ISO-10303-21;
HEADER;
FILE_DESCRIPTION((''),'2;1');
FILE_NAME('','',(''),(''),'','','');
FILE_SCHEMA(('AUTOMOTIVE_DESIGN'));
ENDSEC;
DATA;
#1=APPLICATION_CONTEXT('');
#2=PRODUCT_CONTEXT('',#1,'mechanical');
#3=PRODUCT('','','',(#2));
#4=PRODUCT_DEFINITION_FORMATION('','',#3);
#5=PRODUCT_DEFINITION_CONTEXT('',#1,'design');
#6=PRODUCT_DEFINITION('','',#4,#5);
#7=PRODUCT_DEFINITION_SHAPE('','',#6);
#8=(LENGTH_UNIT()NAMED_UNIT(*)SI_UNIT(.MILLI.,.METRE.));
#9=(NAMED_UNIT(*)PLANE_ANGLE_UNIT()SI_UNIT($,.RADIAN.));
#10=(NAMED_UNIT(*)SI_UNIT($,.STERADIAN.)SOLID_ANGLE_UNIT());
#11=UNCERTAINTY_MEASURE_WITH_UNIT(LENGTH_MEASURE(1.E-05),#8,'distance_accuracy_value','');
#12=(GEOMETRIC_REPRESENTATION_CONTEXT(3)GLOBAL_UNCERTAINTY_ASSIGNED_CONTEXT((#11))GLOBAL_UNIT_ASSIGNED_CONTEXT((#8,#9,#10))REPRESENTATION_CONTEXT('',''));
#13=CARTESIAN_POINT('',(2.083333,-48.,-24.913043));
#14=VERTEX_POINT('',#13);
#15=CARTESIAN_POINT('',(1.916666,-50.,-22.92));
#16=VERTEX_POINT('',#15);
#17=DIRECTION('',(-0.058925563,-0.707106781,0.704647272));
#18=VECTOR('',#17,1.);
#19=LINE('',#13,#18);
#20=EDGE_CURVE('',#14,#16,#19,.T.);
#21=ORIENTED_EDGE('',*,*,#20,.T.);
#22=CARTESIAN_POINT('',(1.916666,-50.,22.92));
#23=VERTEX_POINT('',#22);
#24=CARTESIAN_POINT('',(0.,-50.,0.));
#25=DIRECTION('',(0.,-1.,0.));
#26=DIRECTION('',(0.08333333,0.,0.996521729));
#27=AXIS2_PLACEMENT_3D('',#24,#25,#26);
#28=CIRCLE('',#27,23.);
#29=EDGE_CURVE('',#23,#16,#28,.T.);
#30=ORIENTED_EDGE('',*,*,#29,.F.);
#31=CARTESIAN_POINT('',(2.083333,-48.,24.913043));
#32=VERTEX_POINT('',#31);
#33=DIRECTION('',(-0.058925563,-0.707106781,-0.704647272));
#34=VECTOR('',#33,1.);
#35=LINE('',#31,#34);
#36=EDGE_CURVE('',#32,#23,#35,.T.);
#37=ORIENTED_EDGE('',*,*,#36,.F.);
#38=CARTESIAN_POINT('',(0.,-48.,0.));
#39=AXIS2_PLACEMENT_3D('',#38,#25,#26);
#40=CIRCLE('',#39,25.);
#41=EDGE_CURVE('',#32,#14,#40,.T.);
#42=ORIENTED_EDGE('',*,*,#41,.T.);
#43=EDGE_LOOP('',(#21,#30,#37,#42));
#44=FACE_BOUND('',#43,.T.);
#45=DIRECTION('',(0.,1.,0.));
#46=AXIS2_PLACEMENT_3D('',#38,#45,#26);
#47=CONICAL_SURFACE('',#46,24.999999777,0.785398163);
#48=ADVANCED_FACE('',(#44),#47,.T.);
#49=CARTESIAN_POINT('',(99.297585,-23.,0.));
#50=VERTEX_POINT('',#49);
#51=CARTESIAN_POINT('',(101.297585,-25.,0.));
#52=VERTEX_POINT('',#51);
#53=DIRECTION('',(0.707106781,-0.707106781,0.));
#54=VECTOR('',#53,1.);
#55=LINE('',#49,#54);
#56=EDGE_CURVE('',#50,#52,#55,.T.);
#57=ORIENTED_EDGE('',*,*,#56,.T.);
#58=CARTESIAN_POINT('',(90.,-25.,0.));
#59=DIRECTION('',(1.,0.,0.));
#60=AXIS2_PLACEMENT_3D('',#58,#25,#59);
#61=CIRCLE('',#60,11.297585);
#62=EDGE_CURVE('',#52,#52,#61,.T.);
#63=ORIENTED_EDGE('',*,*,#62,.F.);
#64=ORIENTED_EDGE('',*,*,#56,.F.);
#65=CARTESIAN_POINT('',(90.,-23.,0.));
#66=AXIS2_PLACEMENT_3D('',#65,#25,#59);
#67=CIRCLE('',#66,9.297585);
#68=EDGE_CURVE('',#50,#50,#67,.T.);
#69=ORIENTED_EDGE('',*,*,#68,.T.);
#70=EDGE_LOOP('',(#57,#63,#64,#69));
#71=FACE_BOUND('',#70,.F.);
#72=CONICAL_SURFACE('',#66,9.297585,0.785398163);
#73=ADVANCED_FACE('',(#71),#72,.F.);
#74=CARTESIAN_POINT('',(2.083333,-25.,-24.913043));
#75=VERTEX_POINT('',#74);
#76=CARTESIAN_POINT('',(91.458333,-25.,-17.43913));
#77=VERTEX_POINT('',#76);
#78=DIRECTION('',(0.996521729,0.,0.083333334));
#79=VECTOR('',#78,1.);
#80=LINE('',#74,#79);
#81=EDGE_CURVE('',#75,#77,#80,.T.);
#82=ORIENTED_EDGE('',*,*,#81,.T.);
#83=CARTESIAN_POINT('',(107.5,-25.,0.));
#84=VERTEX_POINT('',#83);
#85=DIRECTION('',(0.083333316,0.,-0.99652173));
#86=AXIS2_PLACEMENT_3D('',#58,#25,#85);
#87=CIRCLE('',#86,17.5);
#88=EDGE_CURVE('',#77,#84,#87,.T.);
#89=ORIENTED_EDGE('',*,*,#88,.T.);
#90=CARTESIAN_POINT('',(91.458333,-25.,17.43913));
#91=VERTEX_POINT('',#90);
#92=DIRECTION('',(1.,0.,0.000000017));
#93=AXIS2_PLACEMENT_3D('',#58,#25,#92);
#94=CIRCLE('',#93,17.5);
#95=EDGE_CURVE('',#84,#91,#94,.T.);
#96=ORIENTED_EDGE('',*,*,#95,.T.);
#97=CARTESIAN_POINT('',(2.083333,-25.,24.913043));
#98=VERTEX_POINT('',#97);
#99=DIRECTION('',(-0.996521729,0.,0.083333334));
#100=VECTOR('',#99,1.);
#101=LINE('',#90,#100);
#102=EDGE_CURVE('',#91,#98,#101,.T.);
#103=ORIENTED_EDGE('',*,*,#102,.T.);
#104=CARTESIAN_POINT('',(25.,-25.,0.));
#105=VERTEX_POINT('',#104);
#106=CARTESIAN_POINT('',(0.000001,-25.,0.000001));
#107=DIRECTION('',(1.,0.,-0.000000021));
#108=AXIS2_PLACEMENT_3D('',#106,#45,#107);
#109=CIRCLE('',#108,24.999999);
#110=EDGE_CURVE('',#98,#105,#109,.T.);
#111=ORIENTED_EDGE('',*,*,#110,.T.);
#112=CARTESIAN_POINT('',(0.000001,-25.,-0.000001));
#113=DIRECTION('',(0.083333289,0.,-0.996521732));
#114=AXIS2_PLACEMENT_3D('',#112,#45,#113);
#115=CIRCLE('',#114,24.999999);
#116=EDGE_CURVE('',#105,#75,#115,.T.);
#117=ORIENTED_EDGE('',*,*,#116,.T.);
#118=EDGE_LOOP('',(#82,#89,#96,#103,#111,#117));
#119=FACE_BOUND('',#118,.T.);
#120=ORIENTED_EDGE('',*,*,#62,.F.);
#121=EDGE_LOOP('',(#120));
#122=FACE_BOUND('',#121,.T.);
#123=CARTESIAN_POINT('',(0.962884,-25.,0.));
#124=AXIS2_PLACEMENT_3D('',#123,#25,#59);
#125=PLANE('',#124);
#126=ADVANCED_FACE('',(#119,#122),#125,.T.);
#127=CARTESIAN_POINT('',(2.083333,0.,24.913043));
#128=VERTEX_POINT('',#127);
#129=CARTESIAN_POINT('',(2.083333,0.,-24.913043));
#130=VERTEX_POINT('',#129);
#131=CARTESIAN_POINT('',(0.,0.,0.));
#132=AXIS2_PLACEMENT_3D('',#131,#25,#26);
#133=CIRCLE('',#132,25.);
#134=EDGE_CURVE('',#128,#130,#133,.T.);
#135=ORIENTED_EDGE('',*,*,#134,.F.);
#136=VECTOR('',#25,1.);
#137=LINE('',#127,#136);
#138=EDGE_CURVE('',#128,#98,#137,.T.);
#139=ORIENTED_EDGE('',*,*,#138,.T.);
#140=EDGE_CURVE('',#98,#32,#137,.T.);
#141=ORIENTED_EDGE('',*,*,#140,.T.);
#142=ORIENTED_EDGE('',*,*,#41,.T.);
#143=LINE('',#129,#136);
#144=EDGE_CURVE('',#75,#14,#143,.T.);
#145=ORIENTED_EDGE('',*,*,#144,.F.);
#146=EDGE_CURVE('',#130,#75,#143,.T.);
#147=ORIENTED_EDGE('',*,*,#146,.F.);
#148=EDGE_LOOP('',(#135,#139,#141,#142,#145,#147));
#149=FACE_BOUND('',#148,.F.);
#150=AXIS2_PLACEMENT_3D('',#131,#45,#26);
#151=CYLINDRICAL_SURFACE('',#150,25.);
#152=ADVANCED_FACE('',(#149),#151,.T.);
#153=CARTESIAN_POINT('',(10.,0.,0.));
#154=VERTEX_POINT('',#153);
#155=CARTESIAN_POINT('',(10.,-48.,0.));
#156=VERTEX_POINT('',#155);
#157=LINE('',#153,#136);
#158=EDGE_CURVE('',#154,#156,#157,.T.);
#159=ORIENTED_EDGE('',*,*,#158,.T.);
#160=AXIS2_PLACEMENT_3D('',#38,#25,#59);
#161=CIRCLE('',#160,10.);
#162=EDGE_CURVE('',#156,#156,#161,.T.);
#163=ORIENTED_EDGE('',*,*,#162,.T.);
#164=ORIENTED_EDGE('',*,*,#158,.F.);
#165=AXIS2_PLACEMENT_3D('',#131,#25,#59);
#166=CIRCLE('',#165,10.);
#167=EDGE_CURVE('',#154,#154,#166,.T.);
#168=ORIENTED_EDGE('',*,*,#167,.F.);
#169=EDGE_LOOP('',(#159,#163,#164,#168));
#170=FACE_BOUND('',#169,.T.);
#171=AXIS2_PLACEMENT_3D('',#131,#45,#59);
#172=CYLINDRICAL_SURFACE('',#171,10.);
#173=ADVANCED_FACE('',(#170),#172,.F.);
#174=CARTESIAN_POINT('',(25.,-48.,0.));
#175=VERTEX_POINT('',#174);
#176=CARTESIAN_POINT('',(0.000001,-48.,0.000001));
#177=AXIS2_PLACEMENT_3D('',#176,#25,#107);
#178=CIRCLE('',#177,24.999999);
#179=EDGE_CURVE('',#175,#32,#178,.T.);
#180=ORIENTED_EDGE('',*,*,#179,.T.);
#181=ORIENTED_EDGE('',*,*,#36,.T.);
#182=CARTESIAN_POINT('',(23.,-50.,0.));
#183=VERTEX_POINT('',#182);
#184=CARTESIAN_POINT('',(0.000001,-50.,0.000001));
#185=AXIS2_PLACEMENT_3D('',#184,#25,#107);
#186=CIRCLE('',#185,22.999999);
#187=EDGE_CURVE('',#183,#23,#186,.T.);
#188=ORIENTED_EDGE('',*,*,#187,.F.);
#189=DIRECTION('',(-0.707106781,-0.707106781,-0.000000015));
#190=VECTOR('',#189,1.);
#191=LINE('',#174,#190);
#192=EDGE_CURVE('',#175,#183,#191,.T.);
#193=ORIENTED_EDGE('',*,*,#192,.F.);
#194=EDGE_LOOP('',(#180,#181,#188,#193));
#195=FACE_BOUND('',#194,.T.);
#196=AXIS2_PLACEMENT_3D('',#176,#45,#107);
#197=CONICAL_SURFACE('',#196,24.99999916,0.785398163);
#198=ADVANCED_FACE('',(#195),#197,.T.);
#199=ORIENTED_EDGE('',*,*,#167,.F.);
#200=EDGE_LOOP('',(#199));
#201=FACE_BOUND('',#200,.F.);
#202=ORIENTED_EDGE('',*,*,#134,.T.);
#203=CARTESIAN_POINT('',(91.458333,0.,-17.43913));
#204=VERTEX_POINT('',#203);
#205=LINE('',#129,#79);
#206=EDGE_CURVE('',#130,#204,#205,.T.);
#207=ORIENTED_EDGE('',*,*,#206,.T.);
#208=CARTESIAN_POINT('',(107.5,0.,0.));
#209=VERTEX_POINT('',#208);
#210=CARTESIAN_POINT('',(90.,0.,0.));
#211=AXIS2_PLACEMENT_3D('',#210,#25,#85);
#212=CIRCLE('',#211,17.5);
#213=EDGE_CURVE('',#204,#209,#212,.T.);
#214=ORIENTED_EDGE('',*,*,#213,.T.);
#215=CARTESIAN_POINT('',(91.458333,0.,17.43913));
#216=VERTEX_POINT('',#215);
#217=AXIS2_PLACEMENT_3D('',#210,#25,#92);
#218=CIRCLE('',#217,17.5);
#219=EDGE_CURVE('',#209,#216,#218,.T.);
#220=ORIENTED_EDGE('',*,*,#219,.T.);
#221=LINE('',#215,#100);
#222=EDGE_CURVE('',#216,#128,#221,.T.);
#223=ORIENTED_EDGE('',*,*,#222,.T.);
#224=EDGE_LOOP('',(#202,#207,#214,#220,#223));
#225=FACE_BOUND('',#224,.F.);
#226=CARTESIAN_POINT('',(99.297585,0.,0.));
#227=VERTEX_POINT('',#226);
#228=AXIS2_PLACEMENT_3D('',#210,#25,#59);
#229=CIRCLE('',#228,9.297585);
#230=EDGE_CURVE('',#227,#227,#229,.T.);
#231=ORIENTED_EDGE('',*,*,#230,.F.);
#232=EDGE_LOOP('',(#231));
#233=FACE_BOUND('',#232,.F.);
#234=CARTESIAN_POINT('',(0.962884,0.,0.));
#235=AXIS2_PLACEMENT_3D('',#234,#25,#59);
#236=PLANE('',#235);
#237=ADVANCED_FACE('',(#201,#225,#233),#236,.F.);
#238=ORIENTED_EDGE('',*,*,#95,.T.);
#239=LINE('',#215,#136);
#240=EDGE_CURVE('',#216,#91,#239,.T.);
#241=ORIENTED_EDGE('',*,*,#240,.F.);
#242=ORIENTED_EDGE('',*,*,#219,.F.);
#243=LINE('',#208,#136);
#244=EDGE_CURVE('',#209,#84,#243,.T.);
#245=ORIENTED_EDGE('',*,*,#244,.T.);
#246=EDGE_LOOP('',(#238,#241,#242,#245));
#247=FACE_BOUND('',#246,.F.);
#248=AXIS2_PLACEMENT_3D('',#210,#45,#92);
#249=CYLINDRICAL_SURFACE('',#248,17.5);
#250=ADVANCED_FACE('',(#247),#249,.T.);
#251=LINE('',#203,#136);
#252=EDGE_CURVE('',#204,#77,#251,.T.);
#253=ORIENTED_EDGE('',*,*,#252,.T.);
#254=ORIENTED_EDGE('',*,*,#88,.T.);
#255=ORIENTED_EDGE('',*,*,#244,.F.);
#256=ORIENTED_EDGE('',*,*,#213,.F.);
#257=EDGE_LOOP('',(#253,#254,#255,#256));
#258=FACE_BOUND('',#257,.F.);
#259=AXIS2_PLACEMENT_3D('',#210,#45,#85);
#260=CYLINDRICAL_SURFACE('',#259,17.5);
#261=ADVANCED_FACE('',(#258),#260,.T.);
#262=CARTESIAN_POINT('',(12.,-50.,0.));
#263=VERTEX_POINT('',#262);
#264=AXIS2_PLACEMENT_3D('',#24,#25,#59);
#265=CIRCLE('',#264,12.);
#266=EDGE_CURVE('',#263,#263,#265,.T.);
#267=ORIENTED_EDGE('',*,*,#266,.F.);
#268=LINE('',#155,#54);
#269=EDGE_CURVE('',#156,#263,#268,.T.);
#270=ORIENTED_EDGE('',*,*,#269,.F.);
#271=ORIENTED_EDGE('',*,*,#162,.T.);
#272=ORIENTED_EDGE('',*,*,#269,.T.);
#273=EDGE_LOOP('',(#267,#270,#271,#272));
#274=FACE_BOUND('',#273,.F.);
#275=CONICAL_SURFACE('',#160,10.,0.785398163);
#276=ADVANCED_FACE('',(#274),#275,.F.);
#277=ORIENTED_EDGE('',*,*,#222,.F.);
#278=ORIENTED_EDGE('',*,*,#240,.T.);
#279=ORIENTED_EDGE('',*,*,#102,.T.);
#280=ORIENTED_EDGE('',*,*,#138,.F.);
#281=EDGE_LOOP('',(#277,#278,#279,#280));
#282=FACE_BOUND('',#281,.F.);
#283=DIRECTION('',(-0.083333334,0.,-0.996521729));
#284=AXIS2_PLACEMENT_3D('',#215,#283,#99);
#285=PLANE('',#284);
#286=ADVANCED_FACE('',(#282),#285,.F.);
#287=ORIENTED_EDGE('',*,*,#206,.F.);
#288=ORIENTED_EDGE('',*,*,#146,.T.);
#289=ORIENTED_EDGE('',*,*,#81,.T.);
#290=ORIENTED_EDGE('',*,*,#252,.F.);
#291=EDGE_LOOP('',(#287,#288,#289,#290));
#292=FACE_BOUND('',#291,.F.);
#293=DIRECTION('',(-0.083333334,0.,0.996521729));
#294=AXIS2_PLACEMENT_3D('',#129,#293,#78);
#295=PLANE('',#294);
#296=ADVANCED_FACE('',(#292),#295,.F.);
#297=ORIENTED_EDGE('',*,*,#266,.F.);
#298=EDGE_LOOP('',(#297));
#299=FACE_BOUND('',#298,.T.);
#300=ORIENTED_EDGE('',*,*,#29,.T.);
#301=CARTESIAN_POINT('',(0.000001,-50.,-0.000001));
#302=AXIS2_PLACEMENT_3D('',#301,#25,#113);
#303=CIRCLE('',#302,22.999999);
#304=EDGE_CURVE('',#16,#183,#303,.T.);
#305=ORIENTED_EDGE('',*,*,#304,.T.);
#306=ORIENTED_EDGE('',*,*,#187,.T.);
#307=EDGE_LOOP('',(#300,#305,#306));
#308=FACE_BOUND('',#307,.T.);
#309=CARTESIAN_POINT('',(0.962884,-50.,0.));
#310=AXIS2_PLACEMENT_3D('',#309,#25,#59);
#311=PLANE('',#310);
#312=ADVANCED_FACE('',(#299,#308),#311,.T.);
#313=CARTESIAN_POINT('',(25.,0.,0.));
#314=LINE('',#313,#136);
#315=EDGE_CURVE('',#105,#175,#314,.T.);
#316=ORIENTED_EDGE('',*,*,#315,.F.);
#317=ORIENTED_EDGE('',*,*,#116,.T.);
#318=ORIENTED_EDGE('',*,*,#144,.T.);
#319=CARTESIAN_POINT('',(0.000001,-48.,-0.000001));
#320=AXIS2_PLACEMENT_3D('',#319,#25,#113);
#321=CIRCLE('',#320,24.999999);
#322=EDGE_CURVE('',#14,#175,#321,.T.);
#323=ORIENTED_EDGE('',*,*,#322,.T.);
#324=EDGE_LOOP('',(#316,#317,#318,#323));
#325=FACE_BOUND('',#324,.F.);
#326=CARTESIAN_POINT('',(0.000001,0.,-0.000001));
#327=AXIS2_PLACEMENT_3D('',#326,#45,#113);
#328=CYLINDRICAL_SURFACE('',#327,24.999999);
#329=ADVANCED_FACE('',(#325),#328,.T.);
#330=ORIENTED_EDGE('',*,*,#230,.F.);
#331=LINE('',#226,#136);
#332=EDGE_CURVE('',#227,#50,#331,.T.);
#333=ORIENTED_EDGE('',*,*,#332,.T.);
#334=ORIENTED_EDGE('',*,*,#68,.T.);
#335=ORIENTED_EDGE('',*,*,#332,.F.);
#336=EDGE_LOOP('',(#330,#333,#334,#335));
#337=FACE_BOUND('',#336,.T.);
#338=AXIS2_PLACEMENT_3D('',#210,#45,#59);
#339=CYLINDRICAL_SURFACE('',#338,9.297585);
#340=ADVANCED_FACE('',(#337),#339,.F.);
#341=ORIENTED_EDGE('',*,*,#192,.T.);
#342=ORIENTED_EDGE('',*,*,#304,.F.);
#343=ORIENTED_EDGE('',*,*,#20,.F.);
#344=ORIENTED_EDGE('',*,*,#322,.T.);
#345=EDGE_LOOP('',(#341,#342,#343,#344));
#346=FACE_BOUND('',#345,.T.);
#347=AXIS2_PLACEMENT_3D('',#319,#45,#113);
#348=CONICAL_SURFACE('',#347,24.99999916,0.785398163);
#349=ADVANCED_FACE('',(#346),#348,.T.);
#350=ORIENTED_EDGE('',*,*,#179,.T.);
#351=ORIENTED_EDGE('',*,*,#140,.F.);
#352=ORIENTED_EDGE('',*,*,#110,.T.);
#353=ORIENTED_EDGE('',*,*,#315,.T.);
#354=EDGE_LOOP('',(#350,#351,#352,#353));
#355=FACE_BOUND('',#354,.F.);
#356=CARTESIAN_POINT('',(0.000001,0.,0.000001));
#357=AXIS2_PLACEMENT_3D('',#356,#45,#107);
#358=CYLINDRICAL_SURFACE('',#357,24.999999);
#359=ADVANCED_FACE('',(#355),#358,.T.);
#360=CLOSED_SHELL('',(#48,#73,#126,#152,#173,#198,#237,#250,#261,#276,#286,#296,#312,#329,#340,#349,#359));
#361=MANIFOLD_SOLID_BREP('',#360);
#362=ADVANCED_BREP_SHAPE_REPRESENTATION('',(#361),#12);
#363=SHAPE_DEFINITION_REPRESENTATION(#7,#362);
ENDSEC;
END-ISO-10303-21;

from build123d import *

# Parameters (mm, degrees)
F0_R     = 10
F0_R_2   = 9.297585
F1_DEPTH = 25
F2_DEPTH = 50
F3_SIZE  = 2


with BuildPart() as f1:
    # F0 (on Front) → F1 (new body)
    with BuildSketch(Plane.XZ):
        with BuildLine():
            ThreePointArc((2.083333, -24.913043), (18.399502, -16.92508), (25, 0))
            ThreePointArc((25, 0), (18.399502, 16.92508), (2.083333, 24.913043))
            ThreePointArc((2.083333, 24.913043), (-25, 0), (2.083333, -24.913043))
        make_face()
        Circle(F0_R, mode=Mode.SUBTRACT)
        with BuildLine():
            ThreePointArc((2.083333, 24.913043), (18.399502, 16.92508), (25, 0))
            ThreePointArc((25, 0), (18.399502, -16.92508), (2.083333, -24.913043))
            Line((2.083333, -24.913043), (91.458333, -17.43913))
            ThreePointArc((91.458333, -17.43913), (72.5, 0), (91.458333, 17.43913))
            Line((91.458333, 17.43913), (2.083333, 24.913043))
        make_face()
        with BuildLine():
            ThreePointArc((107.5, 0), (102.879651, 11.847556), (91.458333, 17.43913))
            ThreePointArc((91.458333, 17.43913), (72.5, 0), (91.458333, -17.43913))
            ThreePointArc((91.458333, -17.43913), (102.879651, -11.847556), (107.5, 0))
        make_face()
        with Locations((90, 0)):
            Circle(F0_R_2, mode=Mode.SUBTRACT)
    extrude(amount=F1_DEPTH)

    # F0 (on Front) → F2 (join)
    with BuildSketch(Plane.XZ):
        with BuildLine():
            ThreePointArc((2.083333, -24.913043), (18.399502, -16.92508), (25, 0))
            ThreePointArc((25, 0), (18.399502, 16.92508), (2.083333, 24.913043))
            ThreePointArc((2.083333, 24.913043), (-25, 0), (2.083333, -24.913043))
        make_face()
        Circle(F0_R, mode=Mode.SUBTRACT)
    extrude(amount=F2_DEPTH)

    # F3
    f3_edges = [f1.edges().sort_by_distance(p)[0] for p in [
        (80.702415, -25, 0),
        (-10, -50, 0),
        (-2.083333, -50, 24.913043),
    ]]
    chamfer(f3_edges, length=F3_SIZE)


solid = f1.part
